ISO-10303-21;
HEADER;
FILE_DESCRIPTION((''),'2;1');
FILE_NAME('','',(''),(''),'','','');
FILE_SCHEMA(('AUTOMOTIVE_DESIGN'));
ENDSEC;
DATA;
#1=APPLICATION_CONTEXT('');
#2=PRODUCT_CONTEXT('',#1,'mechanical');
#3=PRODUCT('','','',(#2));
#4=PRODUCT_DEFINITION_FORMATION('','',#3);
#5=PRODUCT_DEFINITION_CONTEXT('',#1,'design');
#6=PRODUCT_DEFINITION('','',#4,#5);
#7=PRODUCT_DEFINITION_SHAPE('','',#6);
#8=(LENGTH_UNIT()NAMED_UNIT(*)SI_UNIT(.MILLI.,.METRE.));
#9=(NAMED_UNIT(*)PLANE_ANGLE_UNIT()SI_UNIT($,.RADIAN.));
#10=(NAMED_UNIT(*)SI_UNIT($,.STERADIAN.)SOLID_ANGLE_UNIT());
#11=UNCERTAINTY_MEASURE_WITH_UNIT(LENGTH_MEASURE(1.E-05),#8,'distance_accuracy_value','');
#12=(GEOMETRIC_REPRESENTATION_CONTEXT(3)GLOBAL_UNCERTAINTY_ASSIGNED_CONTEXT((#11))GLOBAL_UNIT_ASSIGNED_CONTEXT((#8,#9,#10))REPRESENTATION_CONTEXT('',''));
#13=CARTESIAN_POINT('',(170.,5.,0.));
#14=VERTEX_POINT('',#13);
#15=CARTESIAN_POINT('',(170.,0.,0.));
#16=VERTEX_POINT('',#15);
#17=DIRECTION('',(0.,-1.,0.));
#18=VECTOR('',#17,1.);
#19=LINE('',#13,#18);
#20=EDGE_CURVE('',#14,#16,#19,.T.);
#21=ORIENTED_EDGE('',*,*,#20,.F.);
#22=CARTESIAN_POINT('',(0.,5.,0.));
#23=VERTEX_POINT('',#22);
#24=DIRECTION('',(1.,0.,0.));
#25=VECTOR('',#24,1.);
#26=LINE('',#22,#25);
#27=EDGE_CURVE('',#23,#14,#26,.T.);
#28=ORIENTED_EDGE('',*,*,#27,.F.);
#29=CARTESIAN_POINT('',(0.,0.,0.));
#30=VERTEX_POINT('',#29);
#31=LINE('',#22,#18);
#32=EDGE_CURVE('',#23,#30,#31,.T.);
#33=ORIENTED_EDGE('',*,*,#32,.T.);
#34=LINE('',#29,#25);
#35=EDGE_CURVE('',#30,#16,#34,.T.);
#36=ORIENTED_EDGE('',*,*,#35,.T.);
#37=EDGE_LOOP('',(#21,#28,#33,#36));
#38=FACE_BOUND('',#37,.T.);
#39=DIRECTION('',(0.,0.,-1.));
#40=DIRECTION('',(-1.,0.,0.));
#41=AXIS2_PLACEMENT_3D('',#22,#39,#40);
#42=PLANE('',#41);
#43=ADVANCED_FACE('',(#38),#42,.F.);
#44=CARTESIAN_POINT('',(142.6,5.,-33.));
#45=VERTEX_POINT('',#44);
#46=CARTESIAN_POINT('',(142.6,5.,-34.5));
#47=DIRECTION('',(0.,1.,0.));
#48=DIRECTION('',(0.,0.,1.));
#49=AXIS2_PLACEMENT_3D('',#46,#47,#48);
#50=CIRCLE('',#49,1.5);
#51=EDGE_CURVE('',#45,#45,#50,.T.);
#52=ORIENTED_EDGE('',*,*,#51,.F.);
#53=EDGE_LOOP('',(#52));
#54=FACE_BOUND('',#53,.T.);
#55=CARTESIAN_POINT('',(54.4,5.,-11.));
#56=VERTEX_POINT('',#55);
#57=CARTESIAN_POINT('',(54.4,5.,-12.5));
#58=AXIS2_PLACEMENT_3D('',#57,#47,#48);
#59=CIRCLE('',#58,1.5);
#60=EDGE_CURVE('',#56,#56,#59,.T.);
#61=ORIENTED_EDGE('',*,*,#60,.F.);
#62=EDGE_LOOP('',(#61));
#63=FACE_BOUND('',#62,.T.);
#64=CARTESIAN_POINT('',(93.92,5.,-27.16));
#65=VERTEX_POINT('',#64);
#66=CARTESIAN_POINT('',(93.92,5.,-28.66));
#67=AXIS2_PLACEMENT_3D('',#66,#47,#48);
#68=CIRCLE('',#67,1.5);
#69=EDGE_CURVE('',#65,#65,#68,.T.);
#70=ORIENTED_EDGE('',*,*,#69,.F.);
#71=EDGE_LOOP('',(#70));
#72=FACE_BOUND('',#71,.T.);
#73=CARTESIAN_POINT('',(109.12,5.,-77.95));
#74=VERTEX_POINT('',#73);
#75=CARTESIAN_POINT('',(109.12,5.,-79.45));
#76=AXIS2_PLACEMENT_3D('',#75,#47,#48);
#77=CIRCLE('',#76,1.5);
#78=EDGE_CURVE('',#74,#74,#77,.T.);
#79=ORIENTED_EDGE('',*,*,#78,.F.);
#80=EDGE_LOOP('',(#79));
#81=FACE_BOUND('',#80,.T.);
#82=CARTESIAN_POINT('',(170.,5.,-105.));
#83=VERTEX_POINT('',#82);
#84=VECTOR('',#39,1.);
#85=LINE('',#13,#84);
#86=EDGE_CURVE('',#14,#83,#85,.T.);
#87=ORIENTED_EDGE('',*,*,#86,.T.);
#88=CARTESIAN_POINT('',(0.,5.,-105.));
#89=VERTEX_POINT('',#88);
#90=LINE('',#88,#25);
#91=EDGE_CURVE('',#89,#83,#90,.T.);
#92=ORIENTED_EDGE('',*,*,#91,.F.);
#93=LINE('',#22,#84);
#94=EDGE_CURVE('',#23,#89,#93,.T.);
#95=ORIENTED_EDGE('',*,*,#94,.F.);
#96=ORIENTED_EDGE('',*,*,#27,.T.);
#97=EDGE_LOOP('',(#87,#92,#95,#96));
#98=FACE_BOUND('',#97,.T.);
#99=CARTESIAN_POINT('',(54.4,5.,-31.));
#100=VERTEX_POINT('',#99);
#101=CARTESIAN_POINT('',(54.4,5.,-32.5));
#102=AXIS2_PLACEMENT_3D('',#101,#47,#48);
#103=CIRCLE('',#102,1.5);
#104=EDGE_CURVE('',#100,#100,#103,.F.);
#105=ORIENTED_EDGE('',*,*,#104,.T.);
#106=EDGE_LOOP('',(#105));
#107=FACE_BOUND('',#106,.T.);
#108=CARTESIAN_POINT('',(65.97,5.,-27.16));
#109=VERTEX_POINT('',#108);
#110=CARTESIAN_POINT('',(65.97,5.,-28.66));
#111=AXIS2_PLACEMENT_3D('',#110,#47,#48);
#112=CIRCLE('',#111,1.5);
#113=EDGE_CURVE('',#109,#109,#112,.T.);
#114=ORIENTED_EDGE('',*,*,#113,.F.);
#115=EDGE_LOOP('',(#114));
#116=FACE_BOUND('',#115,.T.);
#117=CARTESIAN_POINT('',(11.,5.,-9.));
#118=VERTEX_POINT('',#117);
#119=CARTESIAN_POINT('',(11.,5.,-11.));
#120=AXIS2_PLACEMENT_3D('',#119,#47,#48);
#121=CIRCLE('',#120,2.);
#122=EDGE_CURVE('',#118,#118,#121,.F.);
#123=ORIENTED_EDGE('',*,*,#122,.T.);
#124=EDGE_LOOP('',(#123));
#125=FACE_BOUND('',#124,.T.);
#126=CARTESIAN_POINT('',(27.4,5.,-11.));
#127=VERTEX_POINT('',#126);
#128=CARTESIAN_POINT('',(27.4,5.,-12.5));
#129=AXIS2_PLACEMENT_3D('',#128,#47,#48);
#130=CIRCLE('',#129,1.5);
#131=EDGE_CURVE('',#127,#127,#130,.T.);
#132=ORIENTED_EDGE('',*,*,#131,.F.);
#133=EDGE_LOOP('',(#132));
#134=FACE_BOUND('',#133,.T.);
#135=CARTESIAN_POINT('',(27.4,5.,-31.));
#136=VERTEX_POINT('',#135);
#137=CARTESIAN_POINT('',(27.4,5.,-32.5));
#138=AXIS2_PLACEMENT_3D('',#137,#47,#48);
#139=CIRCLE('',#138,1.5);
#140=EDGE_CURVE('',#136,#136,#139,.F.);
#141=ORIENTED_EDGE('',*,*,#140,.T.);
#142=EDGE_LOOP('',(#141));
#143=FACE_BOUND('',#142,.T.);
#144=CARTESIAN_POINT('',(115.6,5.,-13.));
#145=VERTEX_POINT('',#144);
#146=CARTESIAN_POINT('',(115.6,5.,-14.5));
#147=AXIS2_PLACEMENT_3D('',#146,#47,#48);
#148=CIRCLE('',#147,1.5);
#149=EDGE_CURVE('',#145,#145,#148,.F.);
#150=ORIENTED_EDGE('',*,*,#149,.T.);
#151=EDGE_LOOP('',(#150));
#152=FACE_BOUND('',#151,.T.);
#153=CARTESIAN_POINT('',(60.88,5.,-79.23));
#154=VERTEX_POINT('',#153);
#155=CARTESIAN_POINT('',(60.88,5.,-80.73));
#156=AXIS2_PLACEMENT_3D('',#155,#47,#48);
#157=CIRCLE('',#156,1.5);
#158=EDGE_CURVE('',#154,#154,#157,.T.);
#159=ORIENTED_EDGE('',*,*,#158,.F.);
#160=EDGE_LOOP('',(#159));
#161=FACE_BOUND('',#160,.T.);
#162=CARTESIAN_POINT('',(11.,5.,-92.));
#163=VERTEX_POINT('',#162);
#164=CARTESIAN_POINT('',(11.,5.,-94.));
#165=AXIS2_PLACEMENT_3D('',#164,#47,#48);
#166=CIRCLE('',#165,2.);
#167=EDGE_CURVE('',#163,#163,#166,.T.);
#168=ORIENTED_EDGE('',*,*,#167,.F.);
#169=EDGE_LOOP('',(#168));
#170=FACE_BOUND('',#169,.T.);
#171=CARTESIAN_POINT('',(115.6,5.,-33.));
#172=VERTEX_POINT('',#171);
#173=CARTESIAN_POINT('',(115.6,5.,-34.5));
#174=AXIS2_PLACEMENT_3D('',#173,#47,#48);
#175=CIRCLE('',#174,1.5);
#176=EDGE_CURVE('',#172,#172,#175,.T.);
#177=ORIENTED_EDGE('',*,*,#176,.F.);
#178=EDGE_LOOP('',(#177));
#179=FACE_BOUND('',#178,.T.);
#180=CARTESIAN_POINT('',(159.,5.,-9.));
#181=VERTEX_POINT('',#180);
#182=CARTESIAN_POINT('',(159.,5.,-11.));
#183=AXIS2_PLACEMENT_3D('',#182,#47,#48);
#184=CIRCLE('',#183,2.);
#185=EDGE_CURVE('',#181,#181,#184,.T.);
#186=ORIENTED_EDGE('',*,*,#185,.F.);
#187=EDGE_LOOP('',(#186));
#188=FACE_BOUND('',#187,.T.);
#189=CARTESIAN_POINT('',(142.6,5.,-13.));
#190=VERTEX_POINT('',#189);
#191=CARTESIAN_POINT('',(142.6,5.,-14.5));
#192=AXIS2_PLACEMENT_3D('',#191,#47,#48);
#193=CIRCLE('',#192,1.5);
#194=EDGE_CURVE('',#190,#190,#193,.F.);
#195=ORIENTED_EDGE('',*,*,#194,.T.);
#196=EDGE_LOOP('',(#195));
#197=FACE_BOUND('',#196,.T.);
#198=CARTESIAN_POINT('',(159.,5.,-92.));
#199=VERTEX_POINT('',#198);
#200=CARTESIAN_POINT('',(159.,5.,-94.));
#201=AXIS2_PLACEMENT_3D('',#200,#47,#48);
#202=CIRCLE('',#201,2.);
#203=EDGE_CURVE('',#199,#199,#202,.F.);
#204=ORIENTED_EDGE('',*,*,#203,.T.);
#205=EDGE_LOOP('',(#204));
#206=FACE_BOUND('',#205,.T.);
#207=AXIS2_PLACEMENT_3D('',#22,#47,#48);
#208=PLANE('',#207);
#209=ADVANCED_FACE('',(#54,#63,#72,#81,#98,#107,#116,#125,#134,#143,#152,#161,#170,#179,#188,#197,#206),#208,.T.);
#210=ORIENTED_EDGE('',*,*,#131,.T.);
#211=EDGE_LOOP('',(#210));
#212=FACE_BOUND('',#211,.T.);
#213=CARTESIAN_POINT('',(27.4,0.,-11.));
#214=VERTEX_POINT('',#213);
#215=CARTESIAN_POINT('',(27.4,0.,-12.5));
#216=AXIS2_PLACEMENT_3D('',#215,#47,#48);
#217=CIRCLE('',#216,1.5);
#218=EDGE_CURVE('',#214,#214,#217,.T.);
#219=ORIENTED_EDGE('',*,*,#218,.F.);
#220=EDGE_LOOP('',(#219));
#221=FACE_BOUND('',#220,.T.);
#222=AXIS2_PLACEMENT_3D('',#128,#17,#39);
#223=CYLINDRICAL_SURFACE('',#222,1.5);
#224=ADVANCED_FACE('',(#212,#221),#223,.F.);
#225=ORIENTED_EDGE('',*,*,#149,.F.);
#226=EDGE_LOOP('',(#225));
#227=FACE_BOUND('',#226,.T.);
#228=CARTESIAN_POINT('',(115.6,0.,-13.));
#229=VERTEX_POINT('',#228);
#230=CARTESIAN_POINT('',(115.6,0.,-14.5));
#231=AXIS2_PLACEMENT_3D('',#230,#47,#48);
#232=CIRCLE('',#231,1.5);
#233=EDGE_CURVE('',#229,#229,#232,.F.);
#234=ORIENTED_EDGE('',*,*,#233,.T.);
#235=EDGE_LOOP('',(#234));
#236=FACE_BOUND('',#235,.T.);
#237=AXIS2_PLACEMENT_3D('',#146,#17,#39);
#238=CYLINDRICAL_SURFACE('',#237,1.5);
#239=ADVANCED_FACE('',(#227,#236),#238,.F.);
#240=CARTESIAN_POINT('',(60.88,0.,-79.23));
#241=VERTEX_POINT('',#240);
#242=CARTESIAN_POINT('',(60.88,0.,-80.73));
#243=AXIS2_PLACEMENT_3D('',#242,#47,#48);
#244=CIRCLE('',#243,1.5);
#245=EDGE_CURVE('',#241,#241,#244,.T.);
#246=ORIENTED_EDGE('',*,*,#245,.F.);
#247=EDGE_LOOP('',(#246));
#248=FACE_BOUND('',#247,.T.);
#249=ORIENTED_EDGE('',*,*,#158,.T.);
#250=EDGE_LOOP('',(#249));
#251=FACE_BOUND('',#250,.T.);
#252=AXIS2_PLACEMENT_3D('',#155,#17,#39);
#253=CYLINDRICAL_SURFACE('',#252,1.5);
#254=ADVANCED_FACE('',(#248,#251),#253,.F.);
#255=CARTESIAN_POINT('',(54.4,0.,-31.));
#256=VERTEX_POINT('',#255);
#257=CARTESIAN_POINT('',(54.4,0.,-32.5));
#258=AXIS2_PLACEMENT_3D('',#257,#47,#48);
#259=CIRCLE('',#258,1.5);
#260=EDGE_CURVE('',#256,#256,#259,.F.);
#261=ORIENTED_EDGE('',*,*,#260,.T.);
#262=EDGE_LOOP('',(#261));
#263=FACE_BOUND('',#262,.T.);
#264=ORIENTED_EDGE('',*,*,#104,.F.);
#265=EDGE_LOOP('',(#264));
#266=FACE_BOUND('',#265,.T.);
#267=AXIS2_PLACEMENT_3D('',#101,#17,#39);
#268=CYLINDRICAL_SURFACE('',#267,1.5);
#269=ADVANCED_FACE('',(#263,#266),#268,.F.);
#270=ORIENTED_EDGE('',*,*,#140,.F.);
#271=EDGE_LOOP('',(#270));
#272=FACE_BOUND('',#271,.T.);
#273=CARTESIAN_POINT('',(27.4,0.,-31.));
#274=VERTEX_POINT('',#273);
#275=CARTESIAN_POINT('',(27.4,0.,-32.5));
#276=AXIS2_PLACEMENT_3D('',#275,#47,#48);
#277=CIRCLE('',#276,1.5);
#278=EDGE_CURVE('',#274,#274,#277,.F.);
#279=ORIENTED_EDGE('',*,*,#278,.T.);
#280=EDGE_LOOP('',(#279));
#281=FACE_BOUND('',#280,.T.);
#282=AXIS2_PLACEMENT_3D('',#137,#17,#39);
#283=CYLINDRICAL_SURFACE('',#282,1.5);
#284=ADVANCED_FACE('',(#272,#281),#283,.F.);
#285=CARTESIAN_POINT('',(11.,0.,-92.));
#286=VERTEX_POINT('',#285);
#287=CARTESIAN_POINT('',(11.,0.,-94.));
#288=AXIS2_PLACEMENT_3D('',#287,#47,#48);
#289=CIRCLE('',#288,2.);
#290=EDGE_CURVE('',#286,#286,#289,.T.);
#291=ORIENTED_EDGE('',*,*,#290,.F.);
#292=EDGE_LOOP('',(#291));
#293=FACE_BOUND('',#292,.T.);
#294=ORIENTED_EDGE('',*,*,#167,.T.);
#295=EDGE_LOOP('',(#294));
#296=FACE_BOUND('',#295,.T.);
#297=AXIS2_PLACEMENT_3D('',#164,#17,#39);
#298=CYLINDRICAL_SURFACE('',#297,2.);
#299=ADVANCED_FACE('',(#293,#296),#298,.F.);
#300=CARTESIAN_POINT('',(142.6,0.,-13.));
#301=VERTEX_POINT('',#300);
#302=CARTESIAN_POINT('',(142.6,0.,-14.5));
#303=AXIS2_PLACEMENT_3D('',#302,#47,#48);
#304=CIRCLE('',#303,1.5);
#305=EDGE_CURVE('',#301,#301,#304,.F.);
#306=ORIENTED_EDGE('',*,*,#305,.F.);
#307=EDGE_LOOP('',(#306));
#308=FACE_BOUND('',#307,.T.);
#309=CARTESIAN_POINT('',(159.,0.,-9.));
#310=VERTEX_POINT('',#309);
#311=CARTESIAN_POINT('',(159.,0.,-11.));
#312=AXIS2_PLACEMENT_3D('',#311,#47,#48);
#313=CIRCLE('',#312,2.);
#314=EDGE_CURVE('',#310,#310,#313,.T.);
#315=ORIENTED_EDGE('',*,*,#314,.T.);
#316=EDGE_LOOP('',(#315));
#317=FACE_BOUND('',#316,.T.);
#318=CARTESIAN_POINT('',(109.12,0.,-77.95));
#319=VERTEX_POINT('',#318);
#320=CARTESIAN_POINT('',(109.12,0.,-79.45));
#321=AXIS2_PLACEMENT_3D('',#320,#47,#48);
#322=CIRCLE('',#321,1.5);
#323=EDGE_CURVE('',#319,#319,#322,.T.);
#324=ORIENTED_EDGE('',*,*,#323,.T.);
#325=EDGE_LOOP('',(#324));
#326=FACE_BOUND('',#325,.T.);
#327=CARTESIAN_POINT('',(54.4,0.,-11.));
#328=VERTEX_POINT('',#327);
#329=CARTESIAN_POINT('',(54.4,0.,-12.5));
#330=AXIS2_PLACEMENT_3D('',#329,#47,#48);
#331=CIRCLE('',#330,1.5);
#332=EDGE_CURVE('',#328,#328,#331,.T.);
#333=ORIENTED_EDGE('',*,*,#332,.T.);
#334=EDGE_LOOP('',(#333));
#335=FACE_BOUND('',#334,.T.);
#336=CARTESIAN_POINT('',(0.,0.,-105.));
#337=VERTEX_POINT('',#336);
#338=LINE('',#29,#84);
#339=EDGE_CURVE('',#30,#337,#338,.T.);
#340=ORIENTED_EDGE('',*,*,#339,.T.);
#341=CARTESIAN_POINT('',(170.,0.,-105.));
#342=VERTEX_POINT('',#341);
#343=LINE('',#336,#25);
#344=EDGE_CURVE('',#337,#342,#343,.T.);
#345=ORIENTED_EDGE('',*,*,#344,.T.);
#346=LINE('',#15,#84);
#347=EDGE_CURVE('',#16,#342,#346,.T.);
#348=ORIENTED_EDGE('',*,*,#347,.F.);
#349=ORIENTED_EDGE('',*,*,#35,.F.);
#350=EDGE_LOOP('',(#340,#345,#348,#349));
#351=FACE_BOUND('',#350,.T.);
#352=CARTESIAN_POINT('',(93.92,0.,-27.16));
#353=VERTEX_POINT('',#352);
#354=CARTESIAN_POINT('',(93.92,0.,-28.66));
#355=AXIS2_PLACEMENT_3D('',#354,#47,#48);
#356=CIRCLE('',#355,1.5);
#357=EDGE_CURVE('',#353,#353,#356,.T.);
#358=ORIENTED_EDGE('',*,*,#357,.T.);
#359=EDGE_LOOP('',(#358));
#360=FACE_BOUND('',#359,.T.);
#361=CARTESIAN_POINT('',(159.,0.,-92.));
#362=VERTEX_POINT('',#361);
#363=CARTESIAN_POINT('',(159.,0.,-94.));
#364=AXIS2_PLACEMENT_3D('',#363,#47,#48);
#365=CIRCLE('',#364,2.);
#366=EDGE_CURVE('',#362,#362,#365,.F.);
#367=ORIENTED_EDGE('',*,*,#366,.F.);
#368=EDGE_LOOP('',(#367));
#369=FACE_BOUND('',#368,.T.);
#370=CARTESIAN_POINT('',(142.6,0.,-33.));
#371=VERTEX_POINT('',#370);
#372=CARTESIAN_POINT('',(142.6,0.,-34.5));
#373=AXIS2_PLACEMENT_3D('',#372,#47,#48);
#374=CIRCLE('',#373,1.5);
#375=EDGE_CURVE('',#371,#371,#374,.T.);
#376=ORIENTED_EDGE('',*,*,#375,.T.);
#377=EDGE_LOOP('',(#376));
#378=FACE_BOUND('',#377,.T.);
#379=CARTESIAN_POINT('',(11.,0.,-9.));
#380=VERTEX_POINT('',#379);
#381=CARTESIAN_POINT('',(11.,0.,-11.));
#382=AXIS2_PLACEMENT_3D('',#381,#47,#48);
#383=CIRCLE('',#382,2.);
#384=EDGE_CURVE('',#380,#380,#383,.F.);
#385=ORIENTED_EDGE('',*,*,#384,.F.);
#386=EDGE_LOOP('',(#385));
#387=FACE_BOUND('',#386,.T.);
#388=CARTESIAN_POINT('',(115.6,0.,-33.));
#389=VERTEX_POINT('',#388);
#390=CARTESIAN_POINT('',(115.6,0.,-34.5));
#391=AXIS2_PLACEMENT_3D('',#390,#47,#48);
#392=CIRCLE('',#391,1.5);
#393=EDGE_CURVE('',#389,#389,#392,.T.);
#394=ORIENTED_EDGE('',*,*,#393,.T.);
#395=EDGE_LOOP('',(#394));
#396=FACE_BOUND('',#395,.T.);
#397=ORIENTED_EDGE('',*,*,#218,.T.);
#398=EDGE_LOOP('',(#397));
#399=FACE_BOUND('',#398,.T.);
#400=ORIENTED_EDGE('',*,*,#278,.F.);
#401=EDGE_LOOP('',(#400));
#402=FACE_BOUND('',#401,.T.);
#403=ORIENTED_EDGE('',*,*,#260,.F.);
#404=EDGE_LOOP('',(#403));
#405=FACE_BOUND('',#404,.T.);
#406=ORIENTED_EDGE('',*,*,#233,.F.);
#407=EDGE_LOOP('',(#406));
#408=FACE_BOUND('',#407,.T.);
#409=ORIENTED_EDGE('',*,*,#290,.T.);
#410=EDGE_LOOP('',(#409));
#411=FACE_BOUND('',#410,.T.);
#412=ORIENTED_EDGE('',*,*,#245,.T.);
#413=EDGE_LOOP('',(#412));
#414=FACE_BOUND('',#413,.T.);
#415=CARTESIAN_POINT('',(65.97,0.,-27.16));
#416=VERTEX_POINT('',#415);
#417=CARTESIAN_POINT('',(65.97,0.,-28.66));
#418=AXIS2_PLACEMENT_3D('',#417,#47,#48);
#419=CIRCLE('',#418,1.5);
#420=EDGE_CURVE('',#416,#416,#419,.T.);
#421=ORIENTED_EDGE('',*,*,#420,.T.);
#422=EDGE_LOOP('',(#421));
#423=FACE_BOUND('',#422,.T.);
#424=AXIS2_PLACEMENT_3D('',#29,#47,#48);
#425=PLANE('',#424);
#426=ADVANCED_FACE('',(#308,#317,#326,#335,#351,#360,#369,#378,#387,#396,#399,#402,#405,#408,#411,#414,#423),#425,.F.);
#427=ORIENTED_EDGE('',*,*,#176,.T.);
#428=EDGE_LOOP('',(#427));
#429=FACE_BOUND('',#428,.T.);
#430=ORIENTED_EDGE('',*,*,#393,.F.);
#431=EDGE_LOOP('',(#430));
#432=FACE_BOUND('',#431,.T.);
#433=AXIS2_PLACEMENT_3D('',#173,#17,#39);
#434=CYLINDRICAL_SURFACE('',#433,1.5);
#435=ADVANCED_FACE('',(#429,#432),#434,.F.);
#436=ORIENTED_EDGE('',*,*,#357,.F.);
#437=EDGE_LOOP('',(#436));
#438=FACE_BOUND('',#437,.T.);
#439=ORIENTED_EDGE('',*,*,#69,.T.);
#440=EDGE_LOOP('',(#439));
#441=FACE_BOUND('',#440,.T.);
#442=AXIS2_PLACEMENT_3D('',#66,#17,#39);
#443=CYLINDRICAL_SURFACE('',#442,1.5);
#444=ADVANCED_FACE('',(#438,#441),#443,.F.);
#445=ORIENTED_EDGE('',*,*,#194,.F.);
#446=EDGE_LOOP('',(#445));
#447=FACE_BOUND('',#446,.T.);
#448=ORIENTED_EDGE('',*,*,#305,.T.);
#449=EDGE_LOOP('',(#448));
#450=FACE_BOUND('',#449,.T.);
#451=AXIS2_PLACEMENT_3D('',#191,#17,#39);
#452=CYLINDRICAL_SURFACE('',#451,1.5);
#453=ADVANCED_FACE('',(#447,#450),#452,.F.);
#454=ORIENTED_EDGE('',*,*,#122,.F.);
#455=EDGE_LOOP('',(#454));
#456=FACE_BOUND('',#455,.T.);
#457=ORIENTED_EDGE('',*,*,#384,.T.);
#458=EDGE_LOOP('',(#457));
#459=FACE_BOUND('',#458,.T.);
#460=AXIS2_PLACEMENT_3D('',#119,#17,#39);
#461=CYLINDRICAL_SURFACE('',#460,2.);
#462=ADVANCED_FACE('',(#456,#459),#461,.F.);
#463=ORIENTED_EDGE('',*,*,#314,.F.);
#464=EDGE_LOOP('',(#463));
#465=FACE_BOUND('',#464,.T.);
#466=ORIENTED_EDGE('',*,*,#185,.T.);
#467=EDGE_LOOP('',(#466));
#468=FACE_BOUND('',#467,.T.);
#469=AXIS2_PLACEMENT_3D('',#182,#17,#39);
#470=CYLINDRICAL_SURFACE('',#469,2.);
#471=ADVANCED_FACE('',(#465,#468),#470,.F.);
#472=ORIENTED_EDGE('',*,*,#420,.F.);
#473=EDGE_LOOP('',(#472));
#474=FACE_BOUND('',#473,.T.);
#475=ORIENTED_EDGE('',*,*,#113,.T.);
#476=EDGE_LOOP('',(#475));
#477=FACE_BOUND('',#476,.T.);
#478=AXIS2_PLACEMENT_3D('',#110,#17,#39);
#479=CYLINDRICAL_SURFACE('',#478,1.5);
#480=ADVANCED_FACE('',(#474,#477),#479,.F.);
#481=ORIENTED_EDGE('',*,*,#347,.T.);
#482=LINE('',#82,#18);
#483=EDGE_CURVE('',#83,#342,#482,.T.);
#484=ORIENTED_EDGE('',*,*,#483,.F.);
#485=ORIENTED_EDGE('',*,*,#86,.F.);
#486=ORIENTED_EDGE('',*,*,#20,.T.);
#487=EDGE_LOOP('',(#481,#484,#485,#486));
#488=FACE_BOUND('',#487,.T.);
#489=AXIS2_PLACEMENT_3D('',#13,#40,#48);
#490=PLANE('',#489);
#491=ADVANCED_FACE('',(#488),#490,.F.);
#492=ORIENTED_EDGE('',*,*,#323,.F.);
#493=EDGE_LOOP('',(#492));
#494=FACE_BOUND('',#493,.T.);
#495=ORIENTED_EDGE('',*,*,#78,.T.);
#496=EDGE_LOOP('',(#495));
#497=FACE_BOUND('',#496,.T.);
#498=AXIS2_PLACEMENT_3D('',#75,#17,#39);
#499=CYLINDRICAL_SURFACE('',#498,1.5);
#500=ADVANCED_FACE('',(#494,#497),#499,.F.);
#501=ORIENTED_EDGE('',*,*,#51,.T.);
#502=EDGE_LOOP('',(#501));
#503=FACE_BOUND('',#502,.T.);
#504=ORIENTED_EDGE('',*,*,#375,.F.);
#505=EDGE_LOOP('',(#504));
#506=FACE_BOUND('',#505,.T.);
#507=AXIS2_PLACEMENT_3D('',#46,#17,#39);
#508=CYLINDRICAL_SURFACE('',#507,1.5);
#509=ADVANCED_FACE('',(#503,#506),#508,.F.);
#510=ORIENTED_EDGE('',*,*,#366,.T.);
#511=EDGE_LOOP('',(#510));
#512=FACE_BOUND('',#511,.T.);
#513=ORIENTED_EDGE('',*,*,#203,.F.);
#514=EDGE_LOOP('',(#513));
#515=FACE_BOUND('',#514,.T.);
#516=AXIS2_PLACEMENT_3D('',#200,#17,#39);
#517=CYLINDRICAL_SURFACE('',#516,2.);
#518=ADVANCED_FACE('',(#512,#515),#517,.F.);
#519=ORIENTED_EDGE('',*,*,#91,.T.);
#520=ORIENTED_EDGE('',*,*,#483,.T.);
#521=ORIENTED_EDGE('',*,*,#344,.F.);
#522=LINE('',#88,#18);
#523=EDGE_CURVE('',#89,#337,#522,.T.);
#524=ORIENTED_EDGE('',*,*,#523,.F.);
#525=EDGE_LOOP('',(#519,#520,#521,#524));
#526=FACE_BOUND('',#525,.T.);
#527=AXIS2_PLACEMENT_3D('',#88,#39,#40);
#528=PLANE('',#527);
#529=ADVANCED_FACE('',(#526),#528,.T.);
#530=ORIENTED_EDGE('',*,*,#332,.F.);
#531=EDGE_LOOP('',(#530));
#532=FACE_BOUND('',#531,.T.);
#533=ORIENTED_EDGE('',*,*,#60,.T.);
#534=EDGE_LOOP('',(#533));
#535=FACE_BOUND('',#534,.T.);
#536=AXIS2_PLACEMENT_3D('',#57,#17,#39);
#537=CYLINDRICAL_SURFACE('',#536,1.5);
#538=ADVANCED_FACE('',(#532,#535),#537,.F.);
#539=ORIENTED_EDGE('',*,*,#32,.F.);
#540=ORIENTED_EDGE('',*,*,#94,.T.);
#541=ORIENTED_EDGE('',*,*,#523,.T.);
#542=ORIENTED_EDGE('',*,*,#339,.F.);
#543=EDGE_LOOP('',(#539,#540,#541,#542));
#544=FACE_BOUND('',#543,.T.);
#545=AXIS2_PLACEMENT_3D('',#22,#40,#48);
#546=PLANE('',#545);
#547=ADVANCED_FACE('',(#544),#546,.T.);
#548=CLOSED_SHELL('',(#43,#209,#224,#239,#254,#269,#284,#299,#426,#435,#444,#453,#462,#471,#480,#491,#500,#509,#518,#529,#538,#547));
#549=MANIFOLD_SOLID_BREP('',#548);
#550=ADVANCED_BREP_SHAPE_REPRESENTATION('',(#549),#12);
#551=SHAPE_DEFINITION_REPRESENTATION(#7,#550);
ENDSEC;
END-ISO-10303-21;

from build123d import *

# Parameters (mm, degrees)
SKETCH_1_W      = 170
SKETCH_1_H      = 105
SKETCH_1_R      = 2
SKETCH_1_R_2    = 1.5
EXTRUDE_1_DEPTH = 5


with BuildPart() as part:
    # ｽｹｯﾁ1 → ﾎﾞｽ - 押し出し1 (new body)
    with BuildSketch(Plane(origin=(0, 0, 0), x_dir=(1, 0, 0), z_dir=(0, 1, 0))):
        with Locations((85, 52.5)):
            Rectangle(SKETCH_1_W, SKETCH_1_H)
        with Locations((11, 94)):
            Circle(SKETCH_1_R, mode=Mode.SUBTRACT)
        with Locations((11, 11)):
            Circle(SKETCH_1_R, mode=Mode.SUBTRACT)
        with Locations((159, 11)):
            Circle(SKETCH_1_R, mode=Mode.SUBTRACT)
        with Locations((159, 94)):
            Circle(SKETCH_1_R, mode=Mode.SUBTRACT)
        with Locations((54.4, 12.5)):
            Circle(SKETCH_1_R_2, mode=Mode.SUBTRACT)
        with Locations((27.4, 12.5)):
            Circle(SKETCH_1_R_2, mode=Mode.SUBTRACT)
        with Locations((54.4, 32.5)):
            Circle(SKETCH_1_R_2, mode=Mode.SUBTRACT)
        with Locations((27.4, 32.5)):
            Circle(SKETCH_1_R_2, mode=Mode.SUBTRACT)
        with Locations((60.88, 80.73)):
            Circle(SKETCH_1_R_2, mode=Mode.SUBTRACT)
        with Locations((65.97, 28.66)):
            Circle(SKETCH_1_R_2, mode=Mode.SUBTRACT)
        with Locations((93.92, 28.66)):
            Circle(SKETCH_1_R_2, mode=Mode.SUBTRACT)
        with Locations((109.12, 79.45)):
            Circle(SKETCH_1_R_2, mode=Mode.SUBTRACT)
        with Locations((115.6, 34.5)):
            Circle(SKETCH_1_R_2, mode=Mode.SUBTRACT)
        with Locations((142.6, 34.5)):
            Circle(SKETCH_1_R_2, mode=Mode.SUBTRACT)
        with Locations((142.6, 14.5)):
            Circle(SKETCH_1_R_2, mode=Mode.SUBTRACT)
        with Locations((115.6, 14.5)):
            Circle(SKETCH_1_R_2, mode=Mode.SUBTRACT)
    extrude(amount=EXTRUDE_1_DEPTH)


solid = part.part
